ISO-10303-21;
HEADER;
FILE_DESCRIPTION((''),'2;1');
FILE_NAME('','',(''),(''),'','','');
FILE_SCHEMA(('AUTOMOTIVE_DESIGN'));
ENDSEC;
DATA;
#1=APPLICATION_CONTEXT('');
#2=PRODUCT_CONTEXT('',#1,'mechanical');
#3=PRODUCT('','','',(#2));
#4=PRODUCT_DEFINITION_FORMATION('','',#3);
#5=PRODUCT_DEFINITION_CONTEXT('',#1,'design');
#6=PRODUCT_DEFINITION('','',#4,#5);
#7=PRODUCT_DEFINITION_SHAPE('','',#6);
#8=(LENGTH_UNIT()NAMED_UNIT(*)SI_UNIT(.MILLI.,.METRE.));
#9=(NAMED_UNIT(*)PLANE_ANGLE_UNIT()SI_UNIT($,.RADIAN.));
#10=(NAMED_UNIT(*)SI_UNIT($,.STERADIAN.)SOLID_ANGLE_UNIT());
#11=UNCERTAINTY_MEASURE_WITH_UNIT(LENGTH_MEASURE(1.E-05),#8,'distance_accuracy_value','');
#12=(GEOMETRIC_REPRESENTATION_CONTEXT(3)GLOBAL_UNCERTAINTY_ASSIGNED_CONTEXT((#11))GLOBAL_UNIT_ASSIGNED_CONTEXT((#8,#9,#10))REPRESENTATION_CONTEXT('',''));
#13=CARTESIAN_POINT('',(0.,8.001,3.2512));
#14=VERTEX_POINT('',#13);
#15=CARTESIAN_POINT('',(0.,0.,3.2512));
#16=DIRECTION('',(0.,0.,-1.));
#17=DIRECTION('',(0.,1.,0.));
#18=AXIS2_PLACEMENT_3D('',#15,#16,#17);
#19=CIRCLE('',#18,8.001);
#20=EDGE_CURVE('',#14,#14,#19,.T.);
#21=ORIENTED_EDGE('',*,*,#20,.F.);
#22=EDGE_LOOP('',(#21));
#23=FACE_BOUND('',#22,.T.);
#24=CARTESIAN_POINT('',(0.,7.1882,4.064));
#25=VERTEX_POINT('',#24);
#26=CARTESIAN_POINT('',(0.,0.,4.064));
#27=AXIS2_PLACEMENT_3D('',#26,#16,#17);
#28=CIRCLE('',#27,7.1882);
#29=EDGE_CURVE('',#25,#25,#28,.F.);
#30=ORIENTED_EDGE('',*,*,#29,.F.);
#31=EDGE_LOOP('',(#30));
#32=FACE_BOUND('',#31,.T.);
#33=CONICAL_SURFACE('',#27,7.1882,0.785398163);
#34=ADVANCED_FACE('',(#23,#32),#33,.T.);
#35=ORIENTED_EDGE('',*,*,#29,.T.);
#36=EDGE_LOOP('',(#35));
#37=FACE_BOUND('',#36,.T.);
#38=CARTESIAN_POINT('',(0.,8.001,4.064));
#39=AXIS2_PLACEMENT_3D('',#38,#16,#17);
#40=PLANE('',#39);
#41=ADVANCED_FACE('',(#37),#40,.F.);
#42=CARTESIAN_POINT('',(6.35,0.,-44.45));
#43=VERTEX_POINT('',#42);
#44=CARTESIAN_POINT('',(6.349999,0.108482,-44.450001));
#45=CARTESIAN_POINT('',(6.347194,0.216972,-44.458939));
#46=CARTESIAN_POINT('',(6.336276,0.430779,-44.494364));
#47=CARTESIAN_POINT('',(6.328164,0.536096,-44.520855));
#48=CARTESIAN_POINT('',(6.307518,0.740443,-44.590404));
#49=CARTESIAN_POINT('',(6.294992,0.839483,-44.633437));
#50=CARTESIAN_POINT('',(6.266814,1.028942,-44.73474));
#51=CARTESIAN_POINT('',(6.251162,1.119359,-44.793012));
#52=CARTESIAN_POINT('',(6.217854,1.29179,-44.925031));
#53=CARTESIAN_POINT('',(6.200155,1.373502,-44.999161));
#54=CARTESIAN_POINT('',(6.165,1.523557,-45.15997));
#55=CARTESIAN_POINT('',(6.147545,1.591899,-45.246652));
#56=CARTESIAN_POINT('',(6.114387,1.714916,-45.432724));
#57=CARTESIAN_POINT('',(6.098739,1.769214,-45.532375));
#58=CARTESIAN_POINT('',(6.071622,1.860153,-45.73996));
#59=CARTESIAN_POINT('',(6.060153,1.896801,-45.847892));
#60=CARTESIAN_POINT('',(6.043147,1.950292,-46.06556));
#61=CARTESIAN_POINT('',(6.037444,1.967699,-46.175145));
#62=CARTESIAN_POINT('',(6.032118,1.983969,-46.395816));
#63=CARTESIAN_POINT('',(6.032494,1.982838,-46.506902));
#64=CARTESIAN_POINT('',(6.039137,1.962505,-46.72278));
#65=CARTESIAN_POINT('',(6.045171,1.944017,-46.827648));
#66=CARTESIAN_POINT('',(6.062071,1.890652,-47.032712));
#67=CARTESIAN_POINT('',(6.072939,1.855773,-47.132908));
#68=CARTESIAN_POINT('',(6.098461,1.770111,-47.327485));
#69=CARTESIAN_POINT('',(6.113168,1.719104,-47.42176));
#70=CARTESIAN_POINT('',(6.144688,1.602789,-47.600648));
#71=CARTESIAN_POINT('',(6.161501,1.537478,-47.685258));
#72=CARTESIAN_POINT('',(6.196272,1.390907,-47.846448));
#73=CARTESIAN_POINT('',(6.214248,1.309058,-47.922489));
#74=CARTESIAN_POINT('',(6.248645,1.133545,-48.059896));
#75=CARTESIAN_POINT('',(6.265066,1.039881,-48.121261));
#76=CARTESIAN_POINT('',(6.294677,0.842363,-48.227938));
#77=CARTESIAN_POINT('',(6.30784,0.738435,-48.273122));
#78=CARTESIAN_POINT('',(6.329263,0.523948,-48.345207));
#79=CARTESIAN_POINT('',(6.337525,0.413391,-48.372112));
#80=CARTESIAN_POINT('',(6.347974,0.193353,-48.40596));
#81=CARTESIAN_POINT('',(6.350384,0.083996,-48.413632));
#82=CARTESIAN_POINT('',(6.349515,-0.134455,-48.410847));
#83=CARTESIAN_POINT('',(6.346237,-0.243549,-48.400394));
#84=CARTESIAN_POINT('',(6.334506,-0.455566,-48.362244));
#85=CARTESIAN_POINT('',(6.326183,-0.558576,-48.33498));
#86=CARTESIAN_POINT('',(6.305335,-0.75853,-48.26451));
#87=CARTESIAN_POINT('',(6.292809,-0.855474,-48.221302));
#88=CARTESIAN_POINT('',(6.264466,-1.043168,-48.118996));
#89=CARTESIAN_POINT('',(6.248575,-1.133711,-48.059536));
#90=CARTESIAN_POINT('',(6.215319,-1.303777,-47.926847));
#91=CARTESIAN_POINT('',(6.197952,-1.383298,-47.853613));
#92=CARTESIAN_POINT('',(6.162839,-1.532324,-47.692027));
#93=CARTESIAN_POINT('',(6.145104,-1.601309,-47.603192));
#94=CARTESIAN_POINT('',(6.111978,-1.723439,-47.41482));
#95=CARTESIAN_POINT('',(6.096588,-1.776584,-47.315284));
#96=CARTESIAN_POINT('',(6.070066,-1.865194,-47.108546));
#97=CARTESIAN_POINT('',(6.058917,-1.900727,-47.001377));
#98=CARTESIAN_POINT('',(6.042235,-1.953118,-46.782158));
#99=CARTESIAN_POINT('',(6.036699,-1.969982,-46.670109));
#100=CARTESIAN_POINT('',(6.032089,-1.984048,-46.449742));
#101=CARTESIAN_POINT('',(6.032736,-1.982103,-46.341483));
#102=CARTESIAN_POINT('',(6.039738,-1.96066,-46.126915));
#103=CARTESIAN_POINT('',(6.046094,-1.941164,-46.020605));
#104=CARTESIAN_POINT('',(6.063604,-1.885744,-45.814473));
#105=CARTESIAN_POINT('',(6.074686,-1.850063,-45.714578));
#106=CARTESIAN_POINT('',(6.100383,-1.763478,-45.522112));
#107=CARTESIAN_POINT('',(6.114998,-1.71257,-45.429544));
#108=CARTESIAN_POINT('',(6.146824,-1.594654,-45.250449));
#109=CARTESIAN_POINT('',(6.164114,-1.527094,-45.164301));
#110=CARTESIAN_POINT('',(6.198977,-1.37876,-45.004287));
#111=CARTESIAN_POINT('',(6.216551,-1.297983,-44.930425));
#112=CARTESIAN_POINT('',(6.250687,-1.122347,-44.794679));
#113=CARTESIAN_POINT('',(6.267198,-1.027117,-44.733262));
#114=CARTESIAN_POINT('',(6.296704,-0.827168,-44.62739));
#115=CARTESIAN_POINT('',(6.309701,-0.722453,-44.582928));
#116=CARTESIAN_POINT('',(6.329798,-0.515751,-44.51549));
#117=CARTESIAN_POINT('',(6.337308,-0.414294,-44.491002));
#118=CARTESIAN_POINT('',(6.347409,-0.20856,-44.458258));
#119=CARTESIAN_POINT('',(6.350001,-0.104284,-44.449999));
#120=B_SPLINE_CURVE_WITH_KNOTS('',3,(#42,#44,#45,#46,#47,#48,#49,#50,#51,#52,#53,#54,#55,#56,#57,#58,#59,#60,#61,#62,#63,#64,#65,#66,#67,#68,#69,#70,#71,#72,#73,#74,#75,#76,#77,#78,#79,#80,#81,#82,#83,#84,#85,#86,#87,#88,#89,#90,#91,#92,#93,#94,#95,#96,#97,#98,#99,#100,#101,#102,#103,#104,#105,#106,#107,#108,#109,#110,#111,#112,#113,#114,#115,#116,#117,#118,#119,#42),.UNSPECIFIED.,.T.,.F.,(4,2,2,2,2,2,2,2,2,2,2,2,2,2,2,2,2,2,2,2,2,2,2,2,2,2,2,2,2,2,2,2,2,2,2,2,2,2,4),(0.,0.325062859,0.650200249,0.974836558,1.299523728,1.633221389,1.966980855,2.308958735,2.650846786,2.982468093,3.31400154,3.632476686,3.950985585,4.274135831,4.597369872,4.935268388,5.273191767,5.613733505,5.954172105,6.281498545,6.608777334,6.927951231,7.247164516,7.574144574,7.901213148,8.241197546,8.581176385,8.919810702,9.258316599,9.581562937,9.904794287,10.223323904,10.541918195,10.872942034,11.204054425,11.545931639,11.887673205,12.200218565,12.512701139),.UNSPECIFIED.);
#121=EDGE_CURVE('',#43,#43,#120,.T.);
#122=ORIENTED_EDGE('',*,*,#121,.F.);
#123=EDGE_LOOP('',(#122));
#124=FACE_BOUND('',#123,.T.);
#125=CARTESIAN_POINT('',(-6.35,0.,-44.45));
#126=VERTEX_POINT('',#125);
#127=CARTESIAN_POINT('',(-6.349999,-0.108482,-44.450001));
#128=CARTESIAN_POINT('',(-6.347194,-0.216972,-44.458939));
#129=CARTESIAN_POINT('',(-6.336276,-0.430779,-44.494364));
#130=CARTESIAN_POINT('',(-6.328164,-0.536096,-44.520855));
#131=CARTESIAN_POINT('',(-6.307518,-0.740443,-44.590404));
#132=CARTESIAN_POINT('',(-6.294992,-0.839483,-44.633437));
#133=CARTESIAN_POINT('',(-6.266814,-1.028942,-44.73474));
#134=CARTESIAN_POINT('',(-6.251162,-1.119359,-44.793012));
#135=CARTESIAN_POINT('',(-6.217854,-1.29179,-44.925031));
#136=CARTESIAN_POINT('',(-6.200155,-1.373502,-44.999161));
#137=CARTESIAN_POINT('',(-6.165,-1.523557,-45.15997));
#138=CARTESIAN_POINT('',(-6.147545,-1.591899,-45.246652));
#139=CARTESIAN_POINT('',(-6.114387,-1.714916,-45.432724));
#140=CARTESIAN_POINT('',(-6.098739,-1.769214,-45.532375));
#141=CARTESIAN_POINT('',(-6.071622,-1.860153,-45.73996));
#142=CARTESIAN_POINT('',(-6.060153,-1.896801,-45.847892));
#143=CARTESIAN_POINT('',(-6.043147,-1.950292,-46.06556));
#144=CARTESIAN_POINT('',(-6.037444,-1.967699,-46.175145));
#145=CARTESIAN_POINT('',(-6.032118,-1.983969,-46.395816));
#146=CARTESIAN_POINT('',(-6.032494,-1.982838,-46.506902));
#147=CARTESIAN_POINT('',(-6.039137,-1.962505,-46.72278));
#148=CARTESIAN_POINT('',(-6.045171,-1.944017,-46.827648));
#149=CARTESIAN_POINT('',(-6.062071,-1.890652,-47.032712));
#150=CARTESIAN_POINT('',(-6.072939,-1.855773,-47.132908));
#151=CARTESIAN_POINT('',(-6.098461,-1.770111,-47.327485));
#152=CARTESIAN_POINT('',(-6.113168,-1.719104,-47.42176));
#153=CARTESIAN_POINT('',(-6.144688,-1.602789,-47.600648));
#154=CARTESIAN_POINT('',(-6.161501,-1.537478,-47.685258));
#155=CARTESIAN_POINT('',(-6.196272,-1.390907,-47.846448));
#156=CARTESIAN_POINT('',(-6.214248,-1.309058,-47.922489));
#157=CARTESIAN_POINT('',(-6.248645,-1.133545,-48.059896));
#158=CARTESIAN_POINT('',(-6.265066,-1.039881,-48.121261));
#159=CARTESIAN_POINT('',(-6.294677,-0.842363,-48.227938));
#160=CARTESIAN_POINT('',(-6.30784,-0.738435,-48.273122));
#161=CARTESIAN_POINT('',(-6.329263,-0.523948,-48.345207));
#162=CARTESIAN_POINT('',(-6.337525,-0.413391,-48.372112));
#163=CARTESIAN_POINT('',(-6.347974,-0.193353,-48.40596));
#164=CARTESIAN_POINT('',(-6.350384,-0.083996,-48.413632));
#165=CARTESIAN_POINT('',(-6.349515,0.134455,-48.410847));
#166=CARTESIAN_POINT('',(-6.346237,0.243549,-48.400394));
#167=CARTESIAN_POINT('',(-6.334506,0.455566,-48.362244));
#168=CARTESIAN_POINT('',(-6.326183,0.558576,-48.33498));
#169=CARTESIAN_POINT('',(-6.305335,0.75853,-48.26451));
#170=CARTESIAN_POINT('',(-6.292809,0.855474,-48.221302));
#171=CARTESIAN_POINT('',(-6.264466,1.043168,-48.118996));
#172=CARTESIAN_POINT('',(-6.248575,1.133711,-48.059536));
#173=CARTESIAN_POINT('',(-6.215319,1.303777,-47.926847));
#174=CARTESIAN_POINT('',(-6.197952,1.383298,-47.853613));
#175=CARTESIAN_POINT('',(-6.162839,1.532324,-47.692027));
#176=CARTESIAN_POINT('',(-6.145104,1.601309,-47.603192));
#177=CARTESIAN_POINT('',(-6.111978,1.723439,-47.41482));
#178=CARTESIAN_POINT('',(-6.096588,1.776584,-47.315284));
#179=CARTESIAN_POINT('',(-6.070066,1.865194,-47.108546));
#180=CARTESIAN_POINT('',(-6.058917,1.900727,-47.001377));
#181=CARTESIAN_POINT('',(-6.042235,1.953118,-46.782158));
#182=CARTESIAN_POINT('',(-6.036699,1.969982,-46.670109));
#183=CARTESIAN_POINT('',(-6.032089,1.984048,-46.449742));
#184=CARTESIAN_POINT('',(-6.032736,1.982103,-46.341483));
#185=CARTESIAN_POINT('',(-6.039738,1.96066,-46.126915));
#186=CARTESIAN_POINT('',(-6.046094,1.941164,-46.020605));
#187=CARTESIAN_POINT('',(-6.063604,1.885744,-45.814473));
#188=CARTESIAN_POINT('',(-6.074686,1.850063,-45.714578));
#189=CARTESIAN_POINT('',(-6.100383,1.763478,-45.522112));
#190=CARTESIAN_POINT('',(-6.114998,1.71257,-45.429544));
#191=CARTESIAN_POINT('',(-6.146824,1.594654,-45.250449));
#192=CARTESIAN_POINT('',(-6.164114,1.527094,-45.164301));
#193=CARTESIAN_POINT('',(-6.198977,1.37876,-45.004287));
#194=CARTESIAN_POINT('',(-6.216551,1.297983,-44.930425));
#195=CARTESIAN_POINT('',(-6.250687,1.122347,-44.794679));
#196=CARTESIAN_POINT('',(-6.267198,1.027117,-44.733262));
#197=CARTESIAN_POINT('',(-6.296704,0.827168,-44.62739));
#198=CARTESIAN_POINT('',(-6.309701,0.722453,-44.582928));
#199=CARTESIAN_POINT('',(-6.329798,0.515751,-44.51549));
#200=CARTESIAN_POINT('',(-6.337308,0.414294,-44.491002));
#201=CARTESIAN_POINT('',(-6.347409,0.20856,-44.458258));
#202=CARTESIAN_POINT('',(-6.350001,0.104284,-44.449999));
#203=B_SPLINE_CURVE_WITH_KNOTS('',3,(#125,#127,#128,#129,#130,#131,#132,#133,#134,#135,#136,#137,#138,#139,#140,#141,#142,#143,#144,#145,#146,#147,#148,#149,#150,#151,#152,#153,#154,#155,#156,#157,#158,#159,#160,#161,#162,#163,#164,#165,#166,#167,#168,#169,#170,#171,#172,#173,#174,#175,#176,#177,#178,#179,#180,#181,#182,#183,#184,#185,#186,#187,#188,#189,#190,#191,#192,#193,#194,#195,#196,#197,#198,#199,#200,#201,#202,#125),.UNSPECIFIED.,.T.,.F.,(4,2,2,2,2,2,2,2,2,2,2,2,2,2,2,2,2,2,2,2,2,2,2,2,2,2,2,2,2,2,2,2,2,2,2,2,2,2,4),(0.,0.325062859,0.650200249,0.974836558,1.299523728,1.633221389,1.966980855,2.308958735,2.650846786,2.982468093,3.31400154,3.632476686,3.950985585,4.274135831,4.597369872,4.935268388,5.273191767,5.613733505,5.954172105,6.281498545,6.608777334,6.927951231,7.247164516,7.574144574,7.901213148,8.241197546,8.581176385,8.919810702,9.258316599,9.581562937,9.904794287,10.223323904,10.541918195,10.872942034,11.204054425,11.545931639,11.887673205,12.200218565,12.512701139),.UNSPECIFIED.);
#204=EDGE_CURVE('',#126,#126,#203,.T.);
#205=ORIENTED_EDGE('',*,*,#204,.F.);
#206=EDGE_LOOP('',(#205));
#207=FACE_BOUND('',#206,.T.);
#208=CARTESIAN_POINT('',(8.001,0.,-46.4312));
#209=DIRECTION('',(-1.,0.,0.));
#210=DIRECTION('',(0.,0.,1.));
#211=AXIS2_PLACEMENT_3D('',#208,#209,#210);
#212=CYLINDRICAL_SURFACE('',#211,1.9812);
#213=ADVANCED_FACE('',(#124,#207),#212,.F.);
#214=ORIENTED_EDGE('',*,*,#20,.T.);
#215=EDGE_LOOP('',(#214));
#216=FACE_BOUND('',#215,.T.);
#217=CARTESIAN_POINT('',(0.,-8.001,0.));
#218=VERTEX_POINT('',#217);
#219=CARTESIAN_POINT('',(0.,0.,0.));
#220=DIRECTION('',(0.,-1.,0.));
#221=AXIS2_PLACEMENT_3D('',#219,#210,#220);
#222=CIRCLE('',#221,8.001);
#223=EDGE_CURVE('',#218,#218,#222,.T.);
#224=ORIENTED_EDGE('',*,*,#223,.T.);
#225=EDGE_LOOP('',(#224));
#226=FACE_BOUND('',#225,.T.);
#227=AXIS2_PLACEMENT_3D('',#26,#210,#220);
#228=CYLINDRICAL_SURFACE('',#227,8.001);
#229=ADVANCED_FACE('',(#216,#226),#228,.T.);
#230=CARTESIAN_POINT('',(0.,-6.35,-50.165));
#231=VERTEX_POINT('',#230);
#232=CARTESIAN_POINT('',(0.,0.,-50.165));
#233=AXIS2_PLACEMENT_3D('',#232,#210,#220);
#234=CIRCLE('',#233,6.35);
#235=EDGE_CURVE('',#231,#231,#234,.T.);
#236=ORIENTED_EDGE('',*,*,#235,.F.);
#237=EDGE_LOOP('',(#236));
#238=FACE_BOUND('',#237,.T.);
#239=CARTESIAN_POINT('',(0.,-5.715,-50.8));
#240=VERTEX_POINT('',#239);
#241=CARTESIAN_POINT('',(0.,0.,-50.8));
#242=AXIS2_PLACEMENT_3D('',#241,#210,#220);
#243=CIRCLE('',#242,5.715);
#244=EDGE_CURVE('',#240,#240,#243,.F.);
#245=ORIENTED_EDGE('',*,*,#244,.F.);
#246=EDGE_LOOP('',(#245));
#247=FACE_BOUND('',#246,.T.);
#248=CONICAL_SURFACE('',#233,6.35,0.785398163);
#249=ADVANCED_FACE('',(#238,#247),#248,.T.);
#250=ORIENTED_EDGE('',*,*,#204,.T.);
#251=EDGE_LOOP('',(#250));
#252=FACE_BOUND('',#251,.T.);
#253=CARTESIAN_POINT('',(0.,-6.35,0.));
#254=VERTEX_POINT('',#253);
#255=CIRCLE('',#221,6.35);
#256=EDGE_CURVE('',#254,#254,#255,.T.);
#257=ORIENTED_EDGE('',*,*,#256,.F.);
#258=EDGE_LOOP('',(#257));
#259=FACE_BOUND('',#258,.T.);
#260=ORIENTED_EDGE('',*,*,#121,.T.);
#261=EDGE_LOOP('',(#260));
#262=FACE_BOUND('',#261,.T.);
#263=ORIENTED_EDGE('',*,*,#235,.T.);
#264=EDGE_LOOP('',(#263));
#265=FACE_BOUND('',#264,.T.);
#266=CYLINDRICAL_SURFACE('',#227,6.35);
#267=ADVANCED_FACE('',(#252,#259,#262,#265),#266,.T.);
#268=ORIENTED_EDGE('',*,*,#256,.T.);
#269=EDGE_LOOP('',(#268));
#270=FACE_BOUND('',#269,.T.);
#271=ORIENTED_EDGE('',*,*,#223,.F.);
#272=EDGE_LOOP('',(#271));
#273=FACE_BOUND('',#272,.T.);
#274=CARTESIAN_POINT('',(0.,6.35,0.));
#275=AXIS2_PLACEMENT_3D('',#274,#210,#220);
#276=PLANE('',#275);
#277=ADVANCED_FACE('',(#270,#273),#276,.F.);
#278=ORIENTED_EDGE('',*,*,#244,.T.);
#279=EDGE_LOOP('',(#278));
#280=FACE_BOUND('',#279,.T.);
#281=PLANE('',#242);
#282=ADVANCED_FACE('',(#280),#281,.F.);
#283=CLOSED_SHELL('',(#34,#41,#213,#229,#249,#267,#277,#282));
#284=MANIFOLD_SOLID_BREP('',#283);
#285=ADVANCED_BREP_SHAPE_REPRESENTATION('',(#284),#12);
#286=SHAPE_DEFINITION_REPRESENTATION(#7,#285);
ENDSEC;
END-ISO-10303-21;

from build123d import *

# Parameters (mm, degrees)
CUT_EXTRUDE1_DEPTH      = 59.259372654
CUT_EXTRUDE1_DEPTH_BACK = 59.259372654
SKETCH2_R               = 1.9812
CHAMFER1_SIZE           = 0.8128
CHAMFER2_SIZE           = 0.635


with BuildPart() as part:
    # Sketch4 → Revolve1 (revolve)
    with BuildSketch(Plane(origin=(0, 0, 0), x_dir=(0, 0, -1), z_dir=(1, 0, 0)), mode=Mode.PRIVATE) as revolve1_sk:
        Polygon((-4.064, 0), (50.8, 0), (50.8, 6.35), (0, 6.35), (0, 8.001), (-4.064, 8.001), align=None)
    revolve(revolve1_sk.sketch.rotate(Axis((0, 0, 4.064), (0, 0, -1)), 180), axis=Axis((0, 0, 4.064), (0, 0, -1)))

    # Sketch2 → Cut-Extrude1 (cut, two sides: drawn at the far end of the back side and taken through both)
    with BuildSketch(Plane(origin=(0, 0, 6.35), x_dir=(0, 0, 1), z_dir=(-1, 0, 0)).offset(-CUT_EXTRUDE1_DEPTH_BACK)):
        with Locations((-52.7812, 0)):
            Circle(SKETCH2_R)
    extrude(amount=CUT_EXTRUDE1_DEPTH + CUT_EXTRUDE1_DEPTH_BACK, mode=Mode.SUBTRACT)

    # Chamfer1
    chamfer1_edges = [part.edges().sort_by_distance(p)[0] for p in [
        (0, 8.001, 4.064),
    ]]
    chamfer(chamfer1_edges, length=CHAMFER1_SIZE)

    # Chamfer2
    chamfer2_edges = [part.edges().sort_by_distance(p)[0] for p in [
        (0, 6.35, -50.8),
    ]]
    chamfer(chamfer2_edges, length=CHAMFER2_SIZE)


solid = part.part
